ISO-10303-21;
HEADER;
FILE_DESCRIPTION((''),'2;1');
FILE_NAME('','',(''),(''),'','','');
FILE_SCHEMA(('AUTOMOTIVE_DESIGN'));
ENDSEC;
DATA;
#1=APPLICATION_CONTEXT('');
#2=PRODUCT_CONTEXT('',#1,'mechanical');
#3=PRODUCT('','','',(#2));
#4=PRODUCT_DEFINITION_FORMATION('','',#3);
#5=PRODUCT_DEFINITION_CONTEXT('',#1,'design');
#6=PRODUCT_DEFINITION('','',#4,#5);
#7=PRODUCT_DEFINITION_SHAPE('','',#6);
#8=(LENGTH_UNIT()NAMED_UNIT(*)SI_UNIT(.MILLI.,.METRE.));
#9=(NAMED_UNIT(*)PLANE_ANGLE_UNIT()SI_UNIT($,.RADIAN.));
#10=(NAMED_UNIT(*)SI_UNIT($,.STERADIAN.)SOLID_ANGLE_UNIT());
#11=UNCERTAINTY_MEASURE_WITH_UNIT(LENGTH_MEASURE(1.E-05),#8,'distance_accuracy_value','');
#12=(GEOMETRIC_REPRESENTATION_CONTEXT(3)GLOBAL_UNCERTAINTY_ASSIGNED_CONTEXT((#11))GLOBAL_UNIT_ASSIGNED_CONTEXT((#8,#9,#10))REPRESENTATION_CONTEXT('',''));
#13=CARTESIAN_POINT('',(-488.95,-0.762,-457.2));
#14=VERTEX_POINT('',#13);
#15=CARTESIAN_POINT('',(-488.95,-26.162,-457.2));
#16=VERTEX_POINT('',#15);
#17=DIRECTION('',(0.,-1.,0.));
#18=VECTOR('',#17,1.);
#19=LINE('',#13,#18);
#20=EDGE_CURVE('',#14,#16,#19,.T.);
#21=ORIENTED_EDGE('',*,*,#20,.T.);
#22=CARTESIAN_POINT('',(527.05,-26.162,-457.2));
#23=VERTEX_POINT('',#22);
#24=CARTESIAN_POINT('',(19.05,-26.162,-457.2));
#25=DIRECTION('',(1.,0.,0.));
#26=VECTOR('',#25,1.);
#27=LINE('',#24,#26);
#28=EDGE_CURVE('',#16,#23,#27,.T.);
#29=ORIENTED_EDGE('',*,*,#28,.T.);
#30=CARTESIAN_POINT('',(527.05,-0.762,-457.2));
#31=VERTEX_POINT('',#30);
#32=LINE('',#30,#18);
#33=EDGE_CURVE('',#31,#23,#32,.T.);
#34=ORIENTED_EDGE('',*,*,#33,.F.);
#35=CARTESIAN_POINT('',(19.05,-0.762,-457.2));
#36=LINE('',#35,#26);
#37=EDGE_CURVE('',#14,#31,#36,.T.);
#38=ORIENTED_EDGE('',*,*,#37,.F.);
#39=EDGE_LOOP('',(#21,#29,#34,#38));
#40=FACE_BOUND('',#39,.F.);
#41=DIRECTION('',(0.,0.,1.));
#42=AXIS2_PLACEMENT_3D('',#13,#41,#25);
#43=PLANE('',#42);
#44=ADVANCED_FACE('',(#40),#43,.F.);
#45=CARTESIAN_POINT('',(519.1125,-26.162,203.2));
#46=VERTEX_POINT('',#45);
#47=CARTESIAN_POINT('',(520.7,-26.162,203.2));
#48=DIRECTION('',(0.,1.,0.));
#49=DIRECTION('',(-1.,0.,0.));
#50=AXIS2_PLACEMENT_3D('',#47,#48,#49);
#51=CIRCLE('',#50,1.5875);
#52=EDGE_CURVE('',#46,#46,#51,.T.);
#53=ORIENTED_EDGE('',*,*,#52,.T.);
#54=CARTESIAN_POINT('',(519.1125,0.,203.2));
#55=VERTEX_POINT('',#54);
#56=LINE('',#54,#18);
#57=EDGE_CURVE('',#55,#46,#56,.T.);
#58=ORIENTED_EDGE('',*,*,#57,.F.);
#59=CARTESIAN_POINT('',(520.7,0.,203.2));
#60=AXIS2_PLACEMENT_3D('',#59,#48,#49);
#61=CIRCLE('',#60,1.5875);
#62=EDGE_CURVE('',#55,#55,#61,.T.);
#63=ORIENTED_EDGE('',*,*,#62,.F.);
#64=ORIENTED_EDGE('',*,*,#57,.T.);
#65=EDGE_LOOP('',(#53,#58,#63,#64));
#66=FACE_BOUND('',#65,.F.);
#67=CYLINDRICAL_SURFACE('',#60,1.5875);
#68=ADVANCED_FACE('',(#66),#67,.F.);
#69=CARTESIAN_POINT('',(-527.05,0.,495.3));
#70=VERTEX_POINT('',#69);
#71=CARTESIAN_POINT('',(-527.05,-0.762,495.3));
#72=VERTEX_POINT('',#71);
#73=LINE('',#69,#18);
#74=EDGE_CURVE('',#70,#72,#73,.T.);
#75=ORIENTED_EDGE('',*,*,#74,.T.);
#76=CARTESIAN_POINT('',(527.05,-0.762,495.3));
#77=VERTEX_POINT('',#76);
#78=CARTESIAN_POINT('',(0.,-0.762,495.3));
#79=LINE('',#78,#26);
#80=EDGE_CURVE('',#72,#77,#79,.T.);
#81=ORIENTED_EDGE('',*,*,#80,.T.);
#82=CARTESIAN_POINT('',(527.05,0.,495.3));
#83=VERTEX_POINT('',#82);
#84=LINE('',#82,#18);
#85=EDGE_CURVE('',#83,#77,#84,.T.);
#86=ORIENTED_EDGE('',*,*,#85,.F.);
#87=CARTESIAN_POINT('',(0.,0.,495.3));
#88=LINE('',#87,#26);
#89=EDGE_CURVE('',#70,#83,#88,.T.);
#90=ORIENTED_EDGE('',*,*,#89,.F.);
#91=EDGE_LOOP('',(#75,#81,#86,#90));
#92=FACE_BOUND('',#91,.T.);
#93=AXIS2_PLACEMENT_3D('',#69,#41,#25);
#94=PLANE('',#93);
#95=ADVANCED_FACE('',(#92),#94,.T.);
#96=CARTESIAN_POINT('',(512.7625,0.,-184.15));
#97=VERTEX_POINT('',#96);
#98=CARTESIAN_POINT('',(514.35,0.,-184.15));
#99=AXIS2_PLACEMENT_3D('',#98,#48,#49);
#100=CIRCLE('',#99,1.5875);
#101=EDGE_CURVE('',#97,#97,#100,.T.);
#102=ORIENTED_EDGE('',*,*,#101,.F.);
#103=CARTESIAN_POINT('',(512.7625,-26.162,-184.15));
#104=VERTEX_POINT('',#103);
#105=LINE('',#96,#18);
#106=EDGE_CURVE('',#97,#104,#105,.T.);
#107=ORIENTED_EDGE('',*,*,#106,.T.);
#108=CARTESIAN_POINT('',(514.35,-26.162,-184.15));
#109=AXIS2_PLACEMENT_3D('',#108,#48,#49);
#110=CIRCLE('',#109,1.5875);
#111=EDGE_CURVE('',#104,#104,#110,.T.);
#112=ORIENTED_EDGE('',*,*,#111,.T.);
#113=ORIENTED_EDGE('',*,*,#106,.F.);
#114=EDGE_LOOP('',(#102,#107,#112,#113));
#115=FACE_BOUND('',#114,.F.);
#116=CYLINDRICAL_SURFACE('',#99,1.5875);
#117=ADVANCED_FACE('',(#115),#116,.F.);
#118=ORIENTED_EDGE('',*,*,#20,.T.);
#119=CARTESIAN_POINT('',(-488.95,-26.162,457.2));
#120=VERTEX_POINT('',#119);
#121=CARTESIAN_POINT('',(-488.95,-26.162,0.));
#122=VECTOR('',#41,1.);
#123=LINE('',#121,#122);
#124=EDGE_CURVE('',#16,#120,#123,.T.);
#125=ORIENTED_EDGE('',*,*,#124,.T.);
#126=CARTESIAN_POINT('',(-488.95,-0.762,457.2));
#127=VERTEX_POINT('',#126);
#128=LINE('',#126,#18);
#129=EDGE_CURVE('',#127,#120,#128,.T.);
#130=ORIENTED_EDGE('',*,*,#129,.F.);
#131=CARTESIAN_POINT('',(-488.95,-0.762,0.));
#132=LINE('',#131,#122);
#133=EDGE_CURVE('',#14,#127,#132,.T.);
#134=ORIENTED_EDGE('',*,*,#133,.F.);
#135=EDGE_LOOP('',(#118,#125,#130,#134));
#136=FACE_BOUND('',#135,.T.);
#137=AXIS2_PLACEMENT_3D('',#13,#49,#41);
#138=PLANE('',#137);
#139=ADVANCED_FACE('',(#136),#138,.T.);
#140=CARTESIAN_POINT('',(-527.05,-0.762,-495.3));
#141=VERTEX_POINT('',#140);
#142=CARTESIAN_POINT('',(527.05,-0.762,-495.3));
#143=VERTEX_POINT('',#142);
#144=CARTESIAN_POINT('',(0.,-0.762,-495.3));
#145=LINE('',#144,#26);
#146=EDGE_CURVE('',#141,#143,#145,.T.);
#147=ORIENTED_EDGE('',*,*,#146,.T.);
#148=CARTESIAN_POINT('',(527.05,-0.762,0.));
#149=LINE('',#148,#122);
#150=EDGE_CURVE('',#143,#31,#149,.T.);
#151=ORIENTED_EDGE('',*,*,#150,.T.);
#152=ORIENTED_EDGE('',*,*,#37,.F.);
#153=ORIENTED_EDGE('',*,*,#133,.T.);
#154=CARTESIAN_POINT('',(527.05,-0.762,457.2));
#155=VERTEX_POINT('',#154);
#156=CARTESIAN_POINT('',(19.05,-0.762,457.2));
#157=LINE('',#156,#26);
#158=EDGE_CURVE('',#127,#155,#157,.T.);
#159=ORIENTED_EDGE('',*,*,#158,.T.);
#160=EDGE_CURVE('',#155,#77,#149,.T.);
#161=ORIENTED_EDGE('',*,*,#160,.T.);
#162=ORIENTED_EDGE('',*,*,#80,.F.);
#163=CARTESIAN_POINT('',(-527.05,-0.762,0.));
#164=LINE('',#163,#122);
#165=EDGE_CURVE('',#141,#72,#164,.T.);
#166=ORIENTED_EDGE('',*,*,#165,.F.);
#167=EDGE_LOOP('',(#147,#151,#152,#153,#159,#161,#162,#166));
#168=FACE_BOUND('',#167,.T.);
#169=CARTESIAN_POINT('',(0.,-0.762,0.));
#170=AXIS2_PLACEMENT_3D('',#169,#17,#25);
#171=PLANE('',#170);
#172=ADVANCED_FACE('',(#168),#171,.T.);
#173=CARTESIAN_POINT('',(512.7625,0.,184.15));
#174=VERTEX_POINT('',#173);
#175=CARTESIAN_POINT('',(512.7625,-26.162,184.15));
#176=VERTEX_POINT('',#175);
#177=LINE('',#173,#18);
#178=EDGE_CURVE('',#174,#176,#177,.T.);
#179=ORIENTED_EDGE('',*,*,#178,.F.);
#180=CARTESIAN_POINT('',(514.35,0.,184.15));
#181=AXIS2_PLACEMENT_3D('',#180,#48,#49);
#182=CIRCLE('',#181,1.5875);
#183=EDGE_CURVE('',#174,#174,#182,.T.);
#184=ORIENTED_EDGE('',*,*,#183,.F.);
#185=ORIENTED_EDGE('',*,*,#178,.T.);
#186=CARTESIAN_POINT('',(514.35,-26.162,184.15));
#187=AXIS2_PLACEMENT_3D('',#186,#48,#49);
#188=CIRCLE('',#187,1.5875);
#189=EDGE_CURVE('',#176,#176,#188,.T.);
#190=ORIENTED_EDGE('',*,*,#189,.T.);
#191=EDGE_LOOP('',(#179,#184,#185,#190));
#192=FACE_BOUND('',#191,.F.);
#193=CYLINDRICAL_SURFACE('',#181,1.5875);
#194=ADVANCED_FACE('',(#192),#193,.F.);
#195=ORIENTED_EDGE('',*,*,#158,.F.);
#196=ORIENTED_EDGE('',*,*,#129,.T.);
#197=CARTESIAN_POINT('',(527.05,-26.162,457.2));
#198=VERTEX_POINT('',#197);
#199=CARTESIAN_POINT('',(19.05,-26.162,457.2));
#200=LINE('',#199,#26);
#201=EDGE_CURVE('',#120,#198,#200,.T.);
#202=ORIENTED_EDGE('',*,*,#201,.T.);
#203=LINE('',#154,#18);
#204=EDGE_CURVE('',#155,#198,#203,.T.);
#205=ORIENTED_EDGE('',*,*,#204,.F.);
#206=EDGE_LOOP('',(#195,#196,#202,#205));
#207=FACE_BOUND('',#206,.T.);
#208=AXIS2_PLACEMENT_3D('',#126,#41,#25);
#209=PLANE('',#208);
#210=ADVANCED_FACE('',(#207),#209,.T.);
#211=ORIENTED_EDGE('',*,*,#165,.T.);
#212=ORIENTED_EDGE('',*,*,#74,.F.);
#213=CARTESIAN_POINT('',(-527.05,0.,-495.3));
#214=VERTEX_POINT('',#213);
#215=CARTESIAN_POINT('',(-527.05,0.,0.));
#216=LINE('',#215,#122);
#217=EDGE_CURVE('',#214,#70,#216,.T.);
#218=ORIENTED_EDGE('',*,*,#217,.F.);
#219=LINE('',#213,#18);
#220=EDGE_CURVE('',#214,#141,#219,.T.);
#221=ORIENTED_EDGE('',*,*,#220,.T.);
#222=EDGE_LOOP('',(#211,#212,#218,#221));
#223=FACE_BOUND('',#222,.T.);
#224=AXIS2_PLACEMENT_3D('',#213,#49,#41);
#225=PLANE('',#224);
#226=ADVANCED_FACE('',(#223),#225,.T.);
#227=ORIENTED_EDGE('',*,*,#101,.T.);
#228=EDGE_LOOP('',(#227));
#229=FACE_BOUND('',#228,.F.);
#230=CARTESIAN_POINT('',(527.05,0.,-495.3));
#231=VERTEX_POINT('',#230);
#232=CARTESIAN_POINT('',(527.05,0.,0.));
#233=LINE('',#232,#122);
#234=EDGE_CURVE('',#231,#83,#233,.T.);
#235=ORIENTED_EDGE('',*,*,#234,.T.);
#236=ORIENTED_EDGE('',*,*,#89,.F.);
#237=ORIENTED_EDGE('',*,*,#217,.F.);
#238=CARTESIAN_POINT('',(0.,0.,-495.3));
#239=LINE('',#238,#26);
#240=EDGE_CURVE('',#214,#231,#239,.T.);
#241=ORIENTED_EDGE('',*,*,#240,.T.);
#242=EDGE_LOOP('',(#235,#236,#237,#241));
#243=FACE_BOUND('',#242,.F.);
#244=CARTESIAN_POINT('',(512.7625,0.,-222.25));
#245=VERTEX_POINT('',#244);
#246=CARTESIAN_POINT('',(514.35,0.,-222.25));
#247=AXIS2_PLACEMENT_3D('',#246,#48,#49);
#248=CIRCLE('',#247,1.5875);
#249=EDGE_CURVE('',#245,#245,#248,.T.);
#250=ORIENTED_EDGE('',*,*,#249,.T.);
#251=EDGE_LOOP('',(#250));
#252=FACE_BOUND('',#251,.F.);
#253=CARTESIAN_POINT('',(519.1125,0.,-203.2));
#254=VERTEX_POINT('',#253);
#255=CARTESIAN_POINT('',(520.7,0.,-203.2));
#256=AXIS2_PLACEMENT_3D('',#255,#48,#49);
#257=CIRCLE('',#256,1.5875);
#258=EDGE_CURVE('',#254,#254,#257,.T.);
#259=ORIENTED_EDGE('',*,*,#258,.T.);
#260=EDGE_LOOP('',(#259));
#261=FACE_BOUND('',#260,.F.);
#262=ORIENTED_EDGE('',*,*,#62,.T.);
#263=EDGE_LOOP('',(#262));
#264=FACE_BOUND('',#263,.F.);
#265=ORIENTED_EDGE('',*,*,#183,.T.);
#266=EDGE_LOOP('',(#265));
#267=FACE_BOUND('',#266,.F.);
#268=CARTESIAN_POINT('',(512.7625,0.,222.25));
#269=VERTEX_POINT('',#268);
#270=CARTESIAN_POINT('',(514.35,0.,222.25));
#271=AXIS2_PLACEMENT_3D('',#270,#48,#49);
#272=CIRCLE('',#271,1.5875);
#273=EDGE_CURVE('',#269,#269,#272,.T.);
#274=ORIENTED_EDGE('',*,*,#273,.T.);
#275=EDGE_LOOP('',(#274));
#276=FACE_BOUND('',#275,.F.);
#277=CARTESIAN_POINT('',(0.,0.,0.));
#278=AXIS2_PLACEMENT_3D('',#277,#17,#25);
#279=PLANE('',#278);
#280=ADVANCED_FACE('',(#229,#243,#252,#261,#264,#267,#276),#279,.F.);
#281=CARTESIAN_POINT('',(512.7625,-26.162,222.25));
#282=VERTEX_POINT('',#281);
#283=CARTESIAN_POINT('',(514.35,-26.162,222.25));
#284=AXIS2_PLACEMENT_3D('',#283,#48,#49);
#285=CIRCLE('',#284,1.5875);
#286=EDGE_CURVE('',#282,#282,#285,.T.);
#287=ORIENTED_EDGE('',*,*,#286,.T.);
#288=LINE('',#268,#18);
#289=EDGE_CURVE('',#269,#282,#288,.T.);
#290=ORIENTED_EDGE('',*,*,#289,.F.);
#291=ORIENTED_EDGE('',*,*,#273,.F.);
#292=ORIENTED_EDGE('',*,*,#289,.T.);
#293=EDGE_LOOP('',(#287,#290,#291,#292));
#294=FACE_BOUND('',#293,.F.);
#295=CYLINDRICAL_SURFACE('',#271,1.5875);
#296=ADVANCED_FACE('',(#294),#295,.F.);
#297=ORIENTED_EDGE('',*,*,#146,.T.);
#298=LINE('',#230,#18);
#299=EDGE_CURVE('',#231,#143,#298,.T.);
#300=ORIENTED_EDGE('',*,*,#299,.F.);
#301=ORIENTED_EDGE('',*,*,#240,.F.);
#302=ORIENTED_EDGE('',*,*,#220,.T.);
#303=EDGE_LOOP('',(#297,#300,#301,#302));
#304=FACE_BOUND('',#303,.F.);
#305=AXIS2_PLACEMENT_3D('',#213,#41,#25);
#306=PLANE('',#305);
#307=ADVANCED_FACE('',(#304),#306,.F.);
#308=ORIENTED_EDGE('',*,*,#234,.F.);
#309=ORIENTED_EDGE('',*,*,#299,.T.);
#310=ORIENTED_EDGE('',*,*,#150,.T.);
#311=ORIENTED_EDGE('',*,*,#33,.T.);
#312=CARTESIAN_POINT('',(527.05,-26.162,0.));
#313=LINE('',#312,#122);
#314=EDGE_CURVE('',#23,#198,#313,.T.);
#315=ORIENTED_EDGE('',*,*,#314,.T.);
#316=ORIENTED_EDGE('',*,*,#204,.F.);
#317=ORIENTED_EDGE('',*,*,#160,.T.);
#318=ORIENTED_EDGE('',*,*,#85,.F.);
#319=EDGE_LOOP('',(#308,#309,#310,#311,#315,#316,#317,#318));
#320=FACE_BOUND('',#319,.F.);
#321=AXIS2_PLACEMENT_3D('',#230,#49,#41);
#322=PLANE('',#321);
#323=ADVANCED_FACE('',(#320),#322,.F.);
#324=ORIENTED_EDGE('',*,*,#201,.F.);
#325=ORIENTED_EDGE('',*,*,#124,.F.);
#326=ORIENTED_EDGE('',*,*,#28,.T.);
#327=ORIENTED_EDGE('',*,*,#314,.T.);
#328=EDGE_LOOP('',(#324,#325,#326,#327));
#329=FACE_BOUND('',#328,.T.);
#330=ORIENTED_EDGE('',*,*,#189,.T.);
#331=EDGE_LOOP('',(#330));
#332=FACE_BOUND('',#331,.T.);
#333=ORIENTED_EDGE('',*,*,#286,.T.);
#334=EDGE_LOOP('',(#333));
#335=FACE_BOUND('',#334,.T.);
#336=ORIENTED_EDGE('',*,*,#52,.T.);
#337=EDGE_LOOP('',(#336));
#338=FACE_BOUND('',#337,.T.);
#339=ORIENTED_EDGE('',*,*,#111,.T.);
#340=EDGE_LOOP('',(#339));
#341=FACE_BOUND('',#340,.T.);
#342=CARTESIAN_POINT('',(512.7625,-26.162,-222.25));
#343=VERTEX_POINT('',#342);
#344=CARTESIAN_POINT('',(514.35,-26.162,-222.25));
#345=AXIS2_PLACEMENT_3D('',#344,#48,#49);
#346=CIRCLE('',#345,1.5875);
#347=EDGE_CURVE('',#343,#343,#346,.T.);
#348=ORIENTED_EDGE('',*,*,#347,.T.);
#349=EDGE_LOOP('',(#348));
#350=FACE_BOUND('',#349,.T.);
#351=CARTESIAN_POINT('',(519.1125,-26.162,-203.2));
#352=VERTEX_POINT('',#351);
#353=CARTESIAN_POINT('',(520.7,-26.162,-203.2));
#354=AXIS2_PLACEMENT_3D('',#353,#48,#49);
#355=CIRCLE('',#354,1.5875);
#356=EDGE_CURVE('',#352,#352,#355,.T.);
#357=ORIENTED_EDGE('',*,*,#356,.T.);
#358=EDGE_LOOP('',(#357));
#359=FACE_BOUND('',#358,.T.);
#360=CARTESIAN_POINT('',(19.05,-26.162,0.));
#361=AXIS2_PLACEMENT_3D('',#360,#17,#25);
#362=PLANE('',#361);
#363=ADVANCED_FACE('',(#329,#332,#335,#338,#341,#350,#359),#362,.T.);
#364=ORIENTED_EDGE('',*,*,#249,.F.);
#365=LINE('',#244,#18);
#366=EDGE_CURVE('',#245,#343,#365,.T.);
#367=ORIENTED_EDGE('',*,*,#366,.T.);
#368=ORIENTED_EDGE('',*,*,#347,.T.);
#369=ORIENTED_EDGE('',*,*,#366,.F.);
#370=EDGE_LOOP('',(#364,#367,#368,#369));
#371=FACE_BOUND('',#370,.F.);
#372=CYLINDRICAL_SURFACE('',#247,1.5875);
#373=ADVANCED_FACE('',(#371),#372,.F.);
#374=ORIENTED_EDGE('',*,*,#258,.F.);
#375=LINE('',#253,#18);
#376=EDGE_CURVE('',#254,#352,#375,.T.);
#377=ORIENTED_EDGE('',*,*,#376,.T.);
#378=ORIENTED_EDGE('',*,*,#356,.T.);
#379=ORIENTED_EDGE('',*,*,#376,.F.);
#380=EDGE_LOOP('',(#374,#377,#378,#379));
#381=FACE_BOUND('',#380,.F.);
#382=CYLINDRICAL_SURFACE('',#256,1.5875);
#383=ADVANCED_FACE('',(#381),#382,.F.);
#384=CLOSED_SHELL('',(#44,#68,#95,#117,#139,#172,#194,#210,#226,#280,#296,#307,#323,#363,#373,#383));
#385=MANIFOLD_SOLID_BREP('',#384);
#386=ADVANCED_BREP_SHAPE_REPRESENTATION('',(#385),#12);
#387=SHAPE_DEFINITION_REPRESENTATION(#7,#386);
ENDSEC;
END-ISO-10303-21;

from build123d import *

# Parameters (mm, degrees)
F0_W     = 1054.1
F0_H     = 990.6
F1_DEPTH = 0.762
F2_W     = 1016
F2_H     = 914.4
F3_DEPTH = 25.4
F4_R     = 1.5875
F5_DEPTH = 26.163


with BuildPart() as f1:
    # F0 (on Front) → F1 (new body)
    with BuildSketch(Plane.XZ):
        Rectangle(F0_W, F0_H)
    extrude(amount=F1_DEPTH)

    # F2 (on face) → F3 (join)
    with BuildSketch(Plane.XZ.offset(0.762)):
        with Locations((19.05, 0)):
            Rectangle(F2_W, F2_H)
    extrude(amount=F3_DEPTH)

    # F4 (on face) → F5 (cut, through all)
    with BuildSketch(Plane(origin=(0, 0, 0), x_dir=(-1, 0, 0), z_dir=(0, 1, 0))):
        with Locations((-520.7, 203.2)):
            Circle(F4_R)
        with Locations((-514.35, 222.25)):
            Circle(F4_R)
        with Locations((-514.35, 184.15)):
            Circle(F4_R)
        with Locations((-514.35, -184.15)):
            Circle(F4_R)
        with Locations((-520.7, -203.2)):
            Circle(F4_R)
        with Locations((-514.35, -222.25)):
            Circle(F4_R)
    extrude(amount=-F5_DEPTH, mode=Mode.SUBTRACT)


solid = f1.part
